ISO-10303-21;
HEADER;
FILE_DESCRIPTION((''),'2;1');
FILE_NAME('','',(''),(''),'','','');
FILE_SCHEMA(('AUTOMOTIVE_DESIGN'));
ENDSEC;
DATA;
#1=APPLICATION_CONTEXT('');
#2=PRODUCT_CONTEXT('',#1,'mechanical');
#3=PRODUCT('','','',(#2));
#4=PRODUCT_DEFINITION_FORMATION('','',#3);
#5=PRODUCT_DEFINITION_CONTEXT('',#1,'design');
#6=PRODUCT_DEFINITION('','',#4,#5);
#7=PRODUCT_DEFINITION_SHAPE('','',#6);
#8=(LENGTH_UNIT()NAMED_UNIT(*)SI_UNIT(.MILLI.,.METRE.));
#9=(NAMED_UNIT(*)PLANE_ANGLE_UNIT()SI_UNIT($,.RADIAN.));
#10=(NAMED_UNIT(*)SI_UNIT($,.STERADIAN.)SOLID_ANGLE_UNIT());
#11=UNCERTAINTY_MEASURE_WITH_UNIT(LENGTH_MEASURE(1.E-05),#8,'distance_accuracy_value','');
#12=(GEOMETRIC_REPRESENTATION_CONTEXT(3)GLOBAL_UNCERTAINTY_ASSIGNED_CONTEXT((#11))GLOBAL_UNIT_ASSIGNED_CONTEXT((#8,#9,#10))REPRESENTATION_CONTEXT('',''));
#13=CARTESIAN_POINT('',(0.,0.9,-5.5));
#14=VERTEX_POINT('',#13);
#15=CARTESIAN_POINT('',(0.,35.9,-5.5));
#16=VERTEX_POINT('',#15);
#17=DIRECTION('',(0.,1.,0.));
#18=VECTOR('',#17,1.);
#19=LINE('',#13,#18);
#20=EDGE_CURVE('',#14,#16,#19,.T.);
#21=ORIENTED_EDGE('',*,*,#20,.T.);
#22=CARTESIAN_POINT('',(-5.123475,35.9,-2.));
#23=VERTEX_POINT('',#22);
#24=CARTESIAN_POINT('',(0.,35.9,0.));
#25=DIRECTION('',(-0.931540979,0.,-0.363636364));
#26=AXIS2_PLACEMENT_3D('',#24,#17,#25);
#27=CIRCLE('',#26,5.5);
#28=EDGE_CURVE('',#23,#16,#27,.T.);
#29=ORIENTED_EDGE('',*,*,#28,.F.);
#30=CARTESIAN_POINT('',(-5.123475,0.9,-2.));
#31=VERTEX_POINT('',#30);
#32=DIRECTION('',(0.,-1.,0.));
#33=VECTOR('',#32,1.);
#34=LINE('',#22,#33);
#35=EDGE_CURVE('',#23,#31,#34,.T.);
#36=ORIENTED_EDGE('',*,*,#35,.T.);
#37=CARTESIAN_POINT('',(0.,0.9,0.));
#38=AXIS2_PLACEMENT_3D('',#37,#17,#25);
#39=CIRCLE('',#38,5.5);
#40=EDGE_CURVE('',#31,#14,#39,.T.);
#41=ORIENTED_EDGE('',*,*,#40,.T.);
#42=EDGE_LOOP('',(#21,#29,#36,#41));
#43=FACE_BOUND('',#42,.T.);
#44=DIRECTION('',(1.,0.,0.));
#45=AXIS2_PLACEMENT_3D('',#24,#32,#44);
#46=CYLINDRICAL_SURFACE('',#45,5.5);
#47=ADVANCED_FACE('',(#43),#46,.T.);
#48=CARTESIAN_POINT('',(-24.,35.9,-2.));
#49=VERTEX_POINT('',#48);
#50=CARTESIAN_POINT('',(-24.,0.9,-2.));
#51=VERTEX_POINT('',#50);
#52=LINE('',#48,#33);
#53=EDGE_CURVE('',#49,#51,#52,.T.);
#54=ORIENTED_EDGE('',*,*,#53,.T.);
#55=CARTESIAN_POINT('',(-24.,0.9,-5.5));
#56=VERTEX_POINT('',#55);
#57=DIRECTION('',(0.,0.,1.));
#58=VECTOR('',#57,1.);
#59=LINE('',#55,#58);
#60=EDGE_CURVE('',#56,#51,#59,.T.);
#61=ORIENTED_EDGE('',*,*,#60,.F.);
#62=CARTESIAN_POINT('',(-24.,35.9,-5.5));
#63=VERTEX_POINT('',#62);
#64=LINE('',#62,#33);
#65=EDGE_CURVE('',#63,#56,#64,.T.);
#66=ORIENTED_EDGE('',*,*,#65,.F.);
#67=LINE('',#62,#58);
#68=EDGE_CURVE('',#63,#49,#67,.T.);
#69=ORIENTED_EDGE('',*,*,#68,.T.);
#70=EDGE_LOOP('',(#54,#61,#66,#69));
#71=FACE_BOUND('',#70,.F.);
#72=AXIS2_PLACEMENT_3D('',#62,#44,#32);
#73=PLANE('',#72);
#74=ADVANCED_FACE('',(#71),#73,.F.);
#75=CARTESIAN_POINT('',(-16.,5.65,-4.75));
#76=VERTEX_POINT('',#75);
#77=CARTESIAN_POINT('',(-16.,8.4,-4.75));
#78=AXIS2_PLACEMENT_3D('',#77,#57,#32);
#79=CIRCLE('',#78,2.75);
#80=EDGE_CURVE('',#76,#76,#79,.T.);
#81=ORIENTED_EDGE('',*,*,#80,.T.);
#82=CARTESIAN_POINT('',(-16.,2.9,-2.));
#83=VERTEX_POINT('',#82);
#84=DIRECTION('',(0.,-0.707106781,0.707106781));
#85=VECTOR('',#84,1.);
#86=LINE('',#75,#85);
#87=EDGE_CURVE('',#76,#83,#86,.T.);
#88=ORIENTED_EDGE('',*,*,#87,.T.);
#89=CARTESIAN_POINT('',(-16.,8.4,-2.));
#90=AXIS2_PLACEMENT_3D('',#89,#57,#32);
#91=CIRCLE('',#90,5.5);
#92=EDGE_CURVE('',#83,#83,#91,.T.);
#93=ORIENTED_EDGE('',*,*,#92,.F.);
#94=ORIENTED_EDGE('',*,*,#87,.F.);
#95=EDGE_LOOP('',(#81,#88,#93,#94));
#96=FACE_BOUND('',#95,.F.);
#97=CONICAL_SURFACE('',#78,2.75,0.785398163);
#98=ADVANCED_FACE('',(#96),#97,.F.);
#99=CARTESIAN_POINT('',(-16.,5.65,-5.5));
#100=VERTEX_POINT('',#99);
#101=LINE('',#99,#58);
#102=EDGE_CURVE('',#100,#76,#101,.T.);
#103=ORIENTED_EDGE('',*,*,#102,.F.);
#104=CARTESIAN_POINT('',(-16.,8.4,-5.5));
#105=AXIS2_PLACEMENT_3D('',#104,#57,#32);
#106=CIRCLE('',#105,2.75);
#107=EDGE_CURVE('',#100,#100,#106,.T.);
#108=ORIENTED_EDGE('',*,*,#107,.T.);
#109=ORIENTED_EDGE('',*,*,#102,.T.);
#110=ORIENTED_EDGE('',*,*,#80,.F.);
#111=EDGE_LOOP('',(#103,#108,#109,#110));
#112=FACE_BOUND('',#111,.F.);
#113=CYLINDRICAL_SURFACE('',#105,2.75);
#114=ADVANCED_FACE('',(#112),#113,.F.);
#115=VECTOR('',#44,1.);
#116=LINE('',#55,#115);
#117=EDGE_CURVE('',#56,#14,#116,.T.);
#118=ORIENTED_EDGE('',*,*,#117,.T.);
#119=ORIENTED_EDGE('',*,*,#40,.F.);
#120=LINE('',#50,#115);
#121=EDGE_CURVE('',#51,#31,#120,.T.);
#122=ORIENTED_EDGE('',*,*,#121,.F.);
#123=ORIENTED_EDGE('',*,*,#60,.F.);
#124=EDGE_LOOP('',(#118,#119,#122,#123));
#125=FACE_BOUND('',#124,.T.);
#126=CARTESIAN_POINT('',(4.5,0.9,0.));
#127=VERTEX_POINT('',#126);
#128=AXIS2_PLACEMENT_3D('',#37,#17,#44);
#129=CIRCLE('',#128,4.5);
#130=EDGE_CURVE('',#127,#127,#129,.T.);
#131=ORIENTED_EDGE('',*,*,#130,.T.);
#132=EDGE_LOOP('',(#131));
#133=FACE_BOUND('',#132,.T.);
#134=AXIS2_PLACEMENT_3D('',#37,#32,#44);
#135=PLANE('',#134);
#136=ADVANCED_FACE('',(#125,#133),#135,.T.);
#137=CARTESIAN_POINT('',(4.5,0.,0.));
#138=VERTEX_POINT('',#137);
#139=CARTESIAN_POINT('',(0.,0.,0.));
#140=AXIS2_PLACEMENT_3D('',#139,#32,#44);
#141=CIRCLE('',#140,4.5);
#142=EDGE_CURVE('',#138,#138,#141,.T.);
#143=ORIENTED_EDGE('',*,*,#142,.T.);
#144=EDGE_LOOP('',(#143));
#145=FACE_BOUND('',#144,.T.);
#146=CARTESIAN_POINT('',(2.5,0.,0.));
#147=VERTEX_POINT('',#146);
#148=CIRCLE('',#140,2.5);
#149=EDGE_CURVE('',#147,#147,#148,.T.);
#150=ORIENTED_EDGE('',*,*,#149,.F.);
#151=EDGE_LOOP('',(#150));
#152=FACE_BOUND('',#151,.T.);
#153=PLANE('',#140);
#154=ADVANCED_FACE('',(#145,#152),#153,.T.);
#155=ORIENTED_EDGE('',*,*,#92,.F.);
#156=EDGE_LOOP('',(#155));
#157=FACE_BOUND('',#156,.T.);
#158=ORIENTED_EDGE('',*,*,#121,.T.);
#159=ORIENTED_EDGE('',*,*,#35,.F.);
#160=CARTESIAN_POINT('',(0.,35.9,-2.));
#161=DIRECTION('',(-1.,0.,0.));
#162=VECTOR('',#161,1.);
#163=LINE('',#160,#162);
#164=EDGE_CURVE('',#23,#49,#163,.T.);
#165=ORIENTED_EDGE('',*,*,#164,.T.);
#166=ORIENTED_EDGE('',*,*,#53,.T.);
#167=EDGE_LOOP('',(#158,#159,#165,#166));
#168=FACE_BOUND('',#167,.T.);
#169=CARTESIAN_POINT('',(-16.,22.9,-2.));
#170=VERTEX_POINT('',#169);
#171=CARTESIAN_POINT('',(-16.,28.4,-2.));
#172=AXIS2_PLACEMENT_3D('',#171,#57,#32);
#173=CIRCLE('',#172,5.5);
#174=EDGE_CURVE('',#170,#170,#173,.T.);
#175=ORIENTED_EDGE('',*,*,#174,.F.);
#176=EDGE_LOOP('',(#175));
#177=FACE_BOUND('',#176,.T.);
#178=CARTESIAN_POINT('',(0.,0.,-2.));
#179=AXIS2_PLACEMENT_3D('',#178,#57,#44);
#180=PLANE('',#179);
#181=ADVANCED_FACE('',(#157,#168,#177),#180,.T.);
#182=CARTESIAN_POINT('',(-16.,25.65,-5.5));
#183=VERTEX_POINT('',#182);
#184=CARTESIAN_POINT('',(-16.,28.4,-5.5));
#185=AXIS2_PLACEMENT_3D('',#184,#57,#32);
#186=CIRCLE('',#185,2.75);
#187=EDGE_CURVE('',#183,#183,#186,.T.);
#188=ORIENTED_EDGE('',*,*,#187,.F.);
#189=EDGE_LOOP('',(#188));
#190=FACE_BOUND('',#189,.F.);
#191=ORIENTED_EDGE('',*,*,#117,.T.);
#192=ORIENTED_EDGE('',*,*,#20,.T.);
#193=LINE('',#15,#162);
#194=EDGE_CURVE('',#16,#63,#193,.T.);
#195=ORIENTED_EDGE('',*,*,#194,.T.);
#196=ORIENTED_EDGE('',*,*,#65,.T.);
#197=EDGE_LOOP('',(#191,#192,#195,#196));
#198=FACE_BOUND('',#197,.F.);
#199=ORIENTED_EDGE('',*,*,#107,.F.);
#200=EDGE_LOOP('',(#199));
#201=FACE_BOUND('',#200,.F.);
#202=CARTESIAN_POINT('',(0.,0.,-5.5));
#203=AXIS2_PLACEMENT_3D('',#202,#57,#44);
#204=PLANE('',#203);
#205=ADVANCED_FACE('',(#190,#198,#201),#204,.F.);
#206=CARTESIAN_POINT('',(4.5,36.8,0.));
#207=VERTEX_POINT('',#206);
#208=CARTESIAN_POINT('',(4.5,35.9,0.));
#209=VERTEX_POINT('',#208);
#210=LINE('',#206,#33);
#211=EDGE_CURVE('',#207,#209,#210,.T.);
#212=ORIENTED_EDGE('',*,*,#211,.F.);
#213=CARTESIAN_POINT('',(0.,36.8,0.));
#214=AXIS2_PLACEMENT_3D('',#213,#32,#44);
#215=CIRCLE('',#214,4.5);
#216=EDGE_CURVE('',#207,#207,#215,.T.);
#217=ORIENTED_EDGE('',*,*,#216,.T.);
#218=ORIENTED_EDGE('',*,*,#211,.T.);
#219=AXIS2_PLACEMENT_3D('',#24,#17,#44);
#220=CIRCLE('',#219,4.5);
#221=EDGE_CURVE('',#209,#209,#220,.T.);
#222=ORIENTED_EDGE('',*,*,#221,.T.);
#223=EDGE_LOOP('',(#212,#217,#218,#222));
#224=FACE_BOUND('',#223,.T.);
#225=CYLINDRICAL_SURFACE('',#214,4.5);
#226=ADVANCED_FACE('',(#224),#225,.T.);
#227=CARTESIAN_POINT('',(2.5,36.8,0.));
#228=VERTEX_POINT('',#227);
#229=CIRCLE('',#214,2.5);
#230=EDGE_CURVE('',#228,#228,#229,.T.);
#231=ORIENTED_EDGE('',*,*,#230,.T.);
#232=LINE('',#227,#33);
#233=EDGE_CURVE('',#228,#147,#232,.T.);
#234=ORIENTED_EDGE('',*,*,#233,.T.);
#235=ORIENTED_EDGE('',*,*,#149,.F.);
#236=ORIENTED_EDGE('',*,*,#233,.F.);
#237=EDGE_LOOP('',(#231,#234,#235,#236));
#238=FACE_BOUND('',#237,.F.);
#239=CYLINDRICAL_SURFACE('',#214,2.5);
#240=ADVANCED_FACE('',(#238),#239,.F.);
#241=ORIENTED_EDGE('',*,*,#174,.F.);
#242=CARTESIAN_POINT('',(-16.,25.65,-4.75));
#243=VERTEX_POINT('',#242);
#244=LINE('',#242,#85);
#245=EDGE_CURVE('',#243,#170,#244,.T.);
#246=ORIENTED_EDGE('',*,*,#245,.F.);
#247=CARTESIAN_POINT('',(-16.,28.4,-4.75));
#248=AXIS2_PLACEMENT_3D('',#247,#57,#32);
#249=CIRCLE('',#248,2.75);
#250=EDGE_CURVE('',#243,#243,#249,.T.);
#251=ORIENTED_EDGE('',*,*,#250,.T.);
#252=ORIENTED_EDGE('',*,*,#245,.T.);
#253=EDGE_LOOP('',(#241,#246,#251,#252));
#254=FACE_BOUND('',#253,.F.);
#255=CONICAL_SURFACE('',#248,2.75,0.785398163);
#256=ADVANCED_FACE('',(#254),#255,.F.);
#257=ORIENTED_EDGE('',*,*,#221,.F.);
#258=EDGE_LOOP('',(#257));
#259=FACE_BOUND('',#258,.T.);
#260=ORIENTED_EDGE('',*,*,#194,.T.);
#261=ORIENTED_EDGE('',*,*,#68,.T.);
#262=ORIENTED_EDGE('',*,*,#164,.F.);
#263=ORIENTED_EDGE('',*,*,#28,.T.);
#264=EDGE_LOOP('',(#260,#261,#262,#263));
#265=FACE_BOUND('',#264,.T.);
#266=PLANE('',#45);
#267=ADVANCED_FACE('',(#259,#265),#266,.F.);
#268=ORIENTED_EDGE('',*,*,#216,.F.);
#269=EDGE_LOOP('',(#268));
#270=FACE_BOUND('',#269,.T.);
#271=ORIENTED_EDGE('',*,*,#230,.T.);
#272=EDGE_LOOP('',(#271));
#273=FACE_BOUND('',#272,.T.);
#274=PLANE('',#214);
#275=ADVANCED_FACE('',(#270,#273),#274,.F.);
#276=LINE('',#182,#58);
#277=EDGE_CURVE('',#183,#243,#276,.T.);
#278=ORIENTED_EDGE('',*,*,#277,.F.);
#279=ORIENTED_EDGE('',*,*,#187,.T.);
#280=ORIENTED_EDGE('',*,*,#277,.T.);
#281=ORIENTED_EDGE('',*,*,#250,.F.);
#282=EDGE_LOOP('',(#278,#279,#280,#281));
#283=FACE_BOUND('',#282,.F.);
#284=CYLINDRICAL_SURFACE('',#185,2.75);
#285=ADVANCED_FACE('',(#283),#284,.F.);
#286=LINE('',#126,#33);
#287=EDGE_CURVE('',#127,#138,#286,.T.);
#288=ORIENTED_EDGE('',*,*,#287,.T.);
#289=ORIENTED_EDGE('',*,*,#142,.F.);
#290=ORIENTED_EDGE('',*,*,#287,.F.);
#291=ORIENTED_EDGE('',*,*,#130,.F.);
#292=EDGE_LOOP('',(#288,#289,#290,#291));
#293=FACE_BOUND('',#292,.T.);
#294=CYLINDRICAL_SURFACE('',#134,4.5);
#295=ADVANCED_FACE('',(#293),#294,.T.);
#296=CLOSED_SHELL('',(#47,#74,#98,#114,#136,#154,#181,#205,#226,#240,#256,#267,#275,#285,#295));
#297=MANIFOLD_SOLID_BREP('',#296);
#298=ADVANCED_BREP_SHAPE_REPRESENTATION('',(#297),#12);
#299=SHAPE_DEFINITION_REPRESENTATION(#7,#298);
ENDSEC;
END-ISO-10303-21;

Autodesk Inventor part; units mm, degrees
sketch "Sketch_1" plane through (0, 0, 0) normal (0, 0, 1) x (1, 0, 0)
  line L0 (0, 0) -> (0, 36.8)
  line L1 (0, 36.8) -> (4.5, 36.8)
  line L2 (4.5, 36.8) -> (4.5, 35.9)
  line L3 (4.5, 35.9) -> (5.5, 35.9)
  line L4 (5.5, 35.9) -> (5.5, 0.9)
  line L5 (5.5, 0.9) -> (4.5, 0.9)
  line L6 (4.5, 0.9) -> (4.5, 0)
  line L7 (4.5, 0) -> (0, 0)
  line L8 (0, 0) -> (0, 36.8)
revolve "Revolution1" add sketch "Sketch_1" angle 360 about axis through (0, 0, 0) along (0, -1, 0)
sketch "Sketch_2" plane through (0, 0, -5.5) normal (0, 0, 1) x (1, 0, 0)
  line L0 (-24, 0.9) -> (0, 0.9)
  line L1 (0, 0.9) -> (0, 35.9)
  line L2 (0, 35.9) -> (-24, 35.9)
  line L3 (-24, 35.9) -> (-24, 0.9)
extrude "Extrusion1" add sketch "Sketch_2" along normal blind 3.5
sketch "Sketch_4" plane through (-16, 0, 0) normal (1, 0, 0) x (0, 0, -1)
  line L0 (2, 8.4) -> (5.5, 8.4)
  line L1 (5.5, 8.4) -> (5.5, 5.65)
  line L2 (5.5, 5.65) -> (4.75, 5.65)
  line L3 (4.75, 5.65) -> (2, 2.9)
  line L4 (2, 2.9) -> (2, 8.4)
  line L5 (2, 8.4) -> (5.5, 8.4)
revolve "Revolution2" cut sketch "Sketch_4" angle 360 about axis through (-16, 8.4, -2) along (0, 0, 1)
sketch "Sketch_5" plane through (-16, 0, 0) normal (1, 0, 0) x (0, 0, -1)
  line L0 (2, 28.4) -> (5.5, 28.4)
  line L1 (5.5, 28.4) -> (5.5, 25.65)
  line L2 (5.5, 25.65) -> (4.75, 25.65)
  line L3 (4.75, 25.65) -> (2, 22.9)
  line L4 (2, 22.9) -> (2, 28.4)
  line L5 (2, 28.4) -> (5.5, 28.4)
revolve "Revolution3" cut sketch "Sketch_5" angle 360 about axis through (-16, 28.4, -2) along (0, 0, 1)
sketch "Sketch_9" plane through (0, 0, 0) normal (0, 0, 1) x (1, 0, 0)
  line L0 (0, 0) -> (0, 36.8)
  line L1 (0, 36.8) -> (2.5, 36.8)
  line L2 (2.5, 36.8) -> (2.5, 0)
  line L3 (2.5, 0) -> (0, 0)
  line L4 (0, 0) -> (0, 36.8)
revolve "Revolution4" cut sketch "Sketch_9" angle 360 about axis through (0, 0, 0) along (0, -1, 0)
ref_plane "2_XY" through (0, 0, 0) normal (0, 1, 0) x (1, 0, 0)
ref_plane "2_YZ" through (0, 0, 0) normal (1, 0, 0) x (0, 0, -1)
ref_plane "2_ZX" through (0, 0, 0) normal (0, 0, -1) x (0, 1, 0)
ref_plane "to_bolt3_r_XY" through (16, 28.4, -2) normal (0, 0, 1) x (1, 0, 0)
ref_plane "to_bolt3_r_YZ" through (16, 28.4, -2) normal (1, 0, 0) x (0, 1, 0)
ref_plane "to_bolt3_r_ZX" through (16, 28.4, -2) normal (0, 1, 0) x (0, 0, 1)
ref_plane "to_bolt4_r_XY" through (16, 8.4, -2) normal (0, 0, 1) x (1, 0, 0)
ref_plane "to_bolt4_r_YZ" through (16, 8.4, -2) normal (1, 0, 0) x (0, 1, 0)
ref_plane "to_bolt4_r_ZX" through (16, 8.4, -2) normal (0, 1, 0) x (0, 0, 1)
ref_plane "to_bolt3_XY" through (-16, 28.4, -2) normal (0, 0, 1) x (1, 0, 0)
ref_plane "to_bolt3_YZ" through (-16, 28.4, -2) normal (1, 0, 0) x (0, 1, 0)
ref_plane "to_bolt3_ZX" through (-16, 28.4, -2) normal (0, 1, 0) x (0, 0, 1)
ref_plane "to_bolt4_XY" through (-16, 8.4, -2) normal (0, 0, 1) x (1, 0, 0)
ref_plane "to_bolt4_YZ" through (-16, 8.4, -2) normal (1, 0, 0) x (0, 1, 0)
ref_plane "to_bolt4_ZX" through (-16, 8.4, -2) normal (0, 1, 0) x (0, 0, 1)
properties part number "HHPFLN5-2"
